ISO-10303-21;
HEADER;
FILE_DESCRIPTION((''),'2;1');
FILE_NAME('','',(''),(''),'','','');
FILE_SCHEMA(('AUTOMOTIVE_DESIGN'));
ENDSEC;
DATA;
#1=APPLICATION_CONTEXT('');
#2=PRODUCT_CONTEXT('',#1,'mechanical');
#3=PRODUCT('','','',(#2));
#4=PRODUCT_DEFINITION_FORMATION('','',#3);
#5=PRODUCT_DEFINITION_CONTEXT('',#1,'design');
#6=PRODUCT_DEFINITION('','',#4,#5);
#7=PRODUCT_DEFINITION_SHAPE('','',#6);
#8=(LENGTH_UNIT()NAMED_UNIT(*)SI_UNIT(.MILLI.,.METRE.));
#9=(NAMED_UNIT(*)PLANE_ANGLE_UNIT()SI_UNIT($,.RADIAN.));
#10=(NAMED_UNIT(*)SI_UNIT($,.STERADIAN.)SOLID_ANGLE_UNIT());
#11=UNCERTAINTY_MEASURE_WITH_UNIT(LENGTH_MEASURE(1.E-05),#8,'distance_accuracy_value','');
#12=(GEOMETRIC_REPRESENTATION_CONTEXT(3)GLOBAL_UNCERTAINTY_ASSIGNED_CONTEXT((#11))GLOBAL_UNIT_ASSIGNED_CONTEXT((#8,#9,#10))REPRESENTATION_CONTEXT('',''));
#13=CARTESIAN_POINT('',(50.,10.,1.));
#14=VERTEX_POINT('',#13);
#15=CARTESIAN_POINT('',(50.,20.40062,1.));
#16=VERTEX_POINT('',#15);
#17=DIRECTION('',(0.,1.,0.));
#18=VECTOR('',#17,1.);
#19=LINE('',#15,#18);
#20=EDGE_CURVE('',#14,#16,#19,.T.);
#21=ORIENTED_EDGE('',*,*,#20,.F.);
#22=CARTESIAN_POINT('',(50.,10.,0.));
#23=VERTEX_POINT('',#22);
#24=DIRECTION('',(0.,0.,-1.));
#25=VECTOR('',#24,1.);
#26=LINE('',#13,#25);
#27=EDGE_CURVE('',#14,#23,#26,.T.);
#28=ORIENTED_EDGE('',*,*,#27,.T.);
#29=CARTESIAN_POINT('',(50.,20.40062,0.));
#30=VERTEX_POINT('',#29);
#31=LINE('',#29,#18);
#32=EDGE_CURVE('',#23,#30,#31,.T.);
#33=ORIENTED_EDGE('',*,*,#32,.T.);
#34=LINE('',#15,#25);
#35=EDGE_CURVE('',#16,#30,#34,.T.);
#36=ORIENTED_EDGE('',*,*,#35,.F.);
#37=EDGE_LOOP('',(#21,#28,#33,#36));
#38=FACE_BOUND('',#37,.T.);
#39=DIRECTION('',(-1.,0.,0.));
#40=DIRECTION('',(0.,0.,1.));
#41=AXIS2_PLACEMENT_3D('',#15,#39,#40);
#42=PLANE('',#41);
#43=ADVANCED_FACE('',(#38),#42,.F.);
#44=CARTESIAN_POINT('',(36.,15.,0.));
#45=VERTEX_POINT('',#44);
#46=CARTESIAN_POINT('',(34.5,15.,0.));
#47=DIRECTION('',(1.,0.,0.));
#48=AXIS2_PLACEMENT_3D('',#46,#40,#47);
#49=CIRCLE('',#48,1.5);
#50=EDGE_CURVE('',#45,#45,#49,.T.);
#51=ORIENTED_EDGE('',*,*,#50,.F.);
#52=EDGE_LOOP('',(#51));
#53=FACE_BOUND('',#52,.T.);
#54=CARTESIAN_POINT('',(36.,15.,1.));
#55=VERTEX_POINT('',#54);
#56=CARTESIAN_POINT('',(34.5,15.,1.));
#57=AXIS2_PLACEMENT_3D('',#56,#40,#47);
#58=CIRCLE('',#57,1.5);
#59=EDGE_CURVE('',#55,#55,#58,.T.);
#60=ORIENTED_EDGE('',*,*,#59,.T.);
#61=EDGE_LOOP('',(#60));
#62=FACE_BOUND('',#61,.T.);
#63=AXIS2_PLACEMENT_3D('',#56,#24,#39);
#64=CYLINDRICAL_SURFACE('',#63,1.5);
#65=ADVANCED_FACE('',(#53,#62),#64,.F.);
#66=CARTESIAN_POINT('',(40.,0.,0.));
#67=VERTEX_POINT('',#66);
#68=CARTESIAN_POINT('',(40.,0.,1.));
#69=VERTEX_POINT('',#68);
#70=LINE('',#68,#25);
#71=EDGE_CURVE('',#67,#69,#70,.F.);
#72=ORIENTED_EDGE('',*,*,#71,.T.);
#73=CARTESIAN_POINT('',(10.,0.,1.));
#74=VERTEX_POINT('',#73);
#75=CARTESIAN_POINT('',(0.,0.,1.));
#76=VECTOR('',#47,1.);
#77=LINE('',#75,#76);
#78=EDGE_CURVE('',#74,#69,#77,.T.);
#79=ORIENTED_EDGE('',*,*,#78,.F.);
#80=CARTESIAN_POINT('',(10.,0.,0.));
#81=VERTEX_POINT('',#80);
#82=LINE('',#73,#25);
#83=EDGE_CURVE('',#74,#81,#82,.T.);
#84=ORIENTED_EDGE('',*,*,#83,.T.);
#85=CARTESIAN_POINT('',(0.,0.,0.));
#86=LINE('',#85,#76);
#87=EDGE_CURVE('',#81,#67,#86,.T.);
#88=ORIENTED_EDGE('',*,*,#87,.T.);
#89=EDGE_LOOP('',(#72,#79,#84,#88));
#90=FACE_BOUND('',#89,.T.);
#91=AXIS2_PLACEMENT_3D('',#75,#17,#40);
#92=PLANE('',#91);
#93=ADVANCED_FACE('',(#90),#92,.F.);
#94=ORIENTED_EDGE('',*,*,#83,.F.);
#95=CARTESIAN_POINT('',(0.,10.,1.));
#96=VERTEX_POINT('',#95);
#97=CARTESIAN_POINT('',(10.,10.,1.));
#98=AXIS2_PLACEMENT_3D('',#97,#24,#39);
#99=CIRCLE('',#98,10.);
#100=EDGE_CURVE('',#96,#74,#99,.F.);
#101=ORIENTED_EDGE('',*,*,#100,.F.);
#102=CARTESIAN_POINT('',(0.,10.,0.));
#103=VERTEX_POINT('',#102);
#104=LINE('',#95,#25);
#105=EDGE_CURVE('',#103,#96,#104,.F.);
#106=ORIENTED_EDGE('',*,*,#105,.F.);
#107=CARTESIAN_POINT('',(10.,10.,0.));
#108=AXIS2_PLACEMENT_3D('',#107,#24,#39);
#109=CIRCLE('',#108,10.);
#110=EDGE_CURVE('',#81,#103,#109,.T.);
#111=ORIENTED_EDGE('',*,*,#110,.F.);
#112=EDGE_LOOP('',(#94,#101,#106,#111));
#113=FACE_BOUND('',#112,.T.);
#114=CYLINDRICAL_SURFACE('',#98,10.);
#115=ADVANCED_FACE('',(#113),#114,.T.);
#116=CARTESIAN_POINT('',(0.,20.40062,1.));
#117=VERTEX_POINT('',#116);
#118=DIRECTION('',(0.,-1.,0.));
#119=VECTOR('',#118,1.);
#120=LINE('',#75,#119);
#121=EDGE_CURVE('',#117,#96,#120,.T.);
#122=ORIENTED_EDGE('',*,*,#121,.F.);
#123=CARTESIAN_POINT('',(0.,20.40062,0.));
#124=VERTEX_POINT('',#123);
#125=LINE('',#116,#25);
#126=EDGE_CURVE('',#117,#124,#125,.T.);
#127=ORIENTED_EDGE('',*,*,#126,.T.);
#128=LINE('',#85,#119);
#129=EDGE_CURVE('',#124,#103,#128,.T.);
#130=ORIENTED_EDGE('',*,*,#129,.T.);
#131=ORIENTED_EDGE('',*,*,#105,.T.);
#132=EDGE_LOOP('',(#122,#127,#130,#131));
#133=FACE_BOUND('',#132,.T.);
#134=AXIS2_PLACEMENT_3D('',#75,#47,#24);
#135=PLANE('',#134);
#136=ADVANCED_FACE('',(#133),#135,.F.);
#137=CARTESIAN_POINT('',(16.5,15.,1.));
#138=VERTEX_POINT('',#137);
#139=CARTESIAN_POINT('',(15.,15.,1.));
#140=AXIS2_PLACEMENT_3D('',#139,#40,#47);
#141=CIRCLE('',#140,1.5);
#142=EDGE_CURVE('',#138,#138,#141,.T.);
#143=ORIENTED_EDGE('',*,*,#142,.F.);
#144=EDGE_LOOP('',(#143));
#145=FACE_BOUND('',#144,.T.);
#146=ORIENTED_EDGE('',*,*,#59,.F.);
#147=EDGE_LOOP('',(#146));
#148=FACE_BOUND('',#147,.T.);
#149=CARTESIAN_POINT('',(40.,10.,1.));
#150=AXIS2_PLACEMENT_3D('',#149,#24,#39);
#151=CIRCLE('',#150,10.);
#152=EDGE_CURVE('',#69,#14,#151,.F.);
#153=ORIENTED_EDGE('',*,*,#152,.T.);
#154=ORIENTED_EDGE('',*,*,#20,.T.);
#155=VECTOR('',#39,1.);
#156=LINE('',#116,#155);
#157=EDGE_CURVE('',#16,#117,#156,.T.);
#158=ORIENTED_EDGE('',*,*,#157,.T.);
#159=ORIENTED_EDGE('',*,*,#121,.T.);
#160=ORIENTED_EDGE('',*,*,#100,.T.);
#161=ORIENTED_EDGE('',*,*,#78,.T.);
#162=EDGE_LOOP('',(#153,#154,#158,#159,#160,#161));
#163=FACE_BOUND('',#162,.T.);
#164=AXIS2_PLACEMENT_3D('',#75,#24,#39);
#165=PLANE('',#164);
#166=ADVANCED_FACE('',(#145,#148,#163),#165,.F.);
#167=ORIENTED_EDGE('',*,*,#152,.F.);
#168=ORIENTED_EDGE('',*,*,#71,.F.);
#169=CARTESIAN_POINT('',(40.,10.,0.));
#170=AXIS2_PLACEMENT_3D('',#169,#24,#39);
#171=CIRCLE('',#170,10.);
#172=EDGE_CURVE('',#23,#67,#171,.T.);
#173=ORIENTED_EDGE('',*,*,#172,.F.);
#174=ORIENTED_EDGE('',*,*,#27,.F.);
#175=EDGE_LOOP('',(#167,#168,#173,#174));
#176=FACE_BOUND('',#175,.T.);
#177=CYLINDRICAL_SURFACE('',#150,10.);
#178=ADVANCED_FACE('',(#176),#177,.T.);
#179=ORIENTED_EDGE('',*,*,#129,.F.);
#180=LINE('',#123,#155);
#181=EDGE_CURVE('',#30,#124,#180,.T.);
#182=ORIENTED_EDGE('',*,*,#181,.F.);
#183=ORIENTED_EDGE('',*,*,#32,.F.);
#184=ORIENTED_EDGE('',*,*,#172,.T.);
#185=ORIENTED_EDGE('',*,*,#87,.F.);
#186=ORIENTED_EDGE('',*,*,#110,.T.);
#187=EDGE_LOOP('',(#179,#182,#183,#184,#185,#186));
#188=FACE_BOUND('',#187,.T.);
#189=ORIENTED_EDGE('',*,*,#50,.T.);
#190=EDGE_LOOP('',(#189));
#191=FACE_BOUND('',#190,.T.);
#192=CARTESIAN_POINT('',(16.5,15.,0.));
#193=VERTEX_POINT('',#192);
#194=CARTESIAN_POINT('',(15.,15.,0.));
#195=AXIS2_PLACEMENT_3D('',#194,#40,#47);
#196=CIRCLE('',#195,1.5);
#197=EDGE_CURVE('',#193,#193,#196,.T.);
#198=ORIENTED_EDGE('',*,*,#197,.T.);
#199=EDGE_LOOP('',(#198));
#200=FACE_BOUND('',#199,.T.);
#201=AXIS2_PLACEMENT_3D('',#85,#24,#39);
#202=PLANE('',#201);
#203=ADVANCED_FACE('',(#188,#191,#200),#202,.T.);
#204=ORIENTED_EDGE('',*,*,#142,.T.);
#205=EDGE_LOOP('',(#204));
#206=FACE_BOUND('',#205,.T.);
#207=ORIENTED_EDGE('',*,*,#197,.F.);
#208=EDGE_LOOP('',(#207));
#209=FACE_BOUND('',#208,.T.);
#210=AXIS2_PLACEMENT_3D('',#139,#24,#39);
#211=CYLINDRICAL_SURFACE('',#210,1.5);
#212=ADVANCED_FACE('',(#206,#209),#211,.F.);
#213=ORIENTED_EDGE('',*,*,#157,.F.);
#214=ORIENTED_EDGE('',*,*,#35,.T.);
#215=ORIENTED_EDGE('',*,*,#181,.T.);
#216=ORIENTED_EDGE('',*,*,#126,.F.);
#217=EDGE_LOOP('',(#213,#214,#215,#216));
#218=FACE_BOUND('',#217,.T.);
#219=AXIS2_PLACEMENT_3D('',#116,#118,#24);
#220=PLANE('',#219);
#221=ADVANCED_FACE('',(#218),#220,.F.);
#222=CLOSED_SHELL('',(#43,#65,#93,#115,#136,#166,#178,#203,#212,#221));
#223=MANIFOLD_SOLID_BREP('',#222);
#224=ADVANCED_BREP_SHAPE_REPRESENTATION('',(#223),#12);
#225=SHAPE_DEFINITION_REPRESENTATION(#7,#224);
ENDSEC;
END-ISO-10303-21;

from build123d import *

# Parameters (mm, degrees)
SKETCH1_W           = 50
SKETCH1_H           = 20.400620127
SKETCH1_R           = 1.5
BOSS_EXTRUDE1_DEPTH = 1
FILLET3_R           = 10
FILLET5_R           = 10


with BuildPart() as part:
    # Sketch1 → Boss-Extrude1 (new body)
    with BuildSketch(Plane.XY):
        with Locations((25, 10.200310063)):
            Rectangle(SKETCH1_W, SKETCH1_H)
        with Locations((15, 15)):
            Circle(SKETCH1_R, mode=Mode.SUBTRACT)
        with Locations((34.5, 15)):
            Circle(SKETCH1_R, mode=Mode.SUBTRACT)
    extrude(amount=BOSS_EXTRUDE1_DEPTH)

    # Fillet3
    fillet3_edges = [part.edges().sort_by_distance(p)[0] for p in [
        (0, 0, 0.5),
    ]]
    fillet(fillet3_edges, radius=FILLET3_R)

    # Fillet5
    fillet5_edges = [part.edges().sort_by_distance(p)[0] for p in [
        (50, 0, 0.5),
    ]]
    fillet(fillet5_edges, radius=FILLET5_R)


solid = part.part
